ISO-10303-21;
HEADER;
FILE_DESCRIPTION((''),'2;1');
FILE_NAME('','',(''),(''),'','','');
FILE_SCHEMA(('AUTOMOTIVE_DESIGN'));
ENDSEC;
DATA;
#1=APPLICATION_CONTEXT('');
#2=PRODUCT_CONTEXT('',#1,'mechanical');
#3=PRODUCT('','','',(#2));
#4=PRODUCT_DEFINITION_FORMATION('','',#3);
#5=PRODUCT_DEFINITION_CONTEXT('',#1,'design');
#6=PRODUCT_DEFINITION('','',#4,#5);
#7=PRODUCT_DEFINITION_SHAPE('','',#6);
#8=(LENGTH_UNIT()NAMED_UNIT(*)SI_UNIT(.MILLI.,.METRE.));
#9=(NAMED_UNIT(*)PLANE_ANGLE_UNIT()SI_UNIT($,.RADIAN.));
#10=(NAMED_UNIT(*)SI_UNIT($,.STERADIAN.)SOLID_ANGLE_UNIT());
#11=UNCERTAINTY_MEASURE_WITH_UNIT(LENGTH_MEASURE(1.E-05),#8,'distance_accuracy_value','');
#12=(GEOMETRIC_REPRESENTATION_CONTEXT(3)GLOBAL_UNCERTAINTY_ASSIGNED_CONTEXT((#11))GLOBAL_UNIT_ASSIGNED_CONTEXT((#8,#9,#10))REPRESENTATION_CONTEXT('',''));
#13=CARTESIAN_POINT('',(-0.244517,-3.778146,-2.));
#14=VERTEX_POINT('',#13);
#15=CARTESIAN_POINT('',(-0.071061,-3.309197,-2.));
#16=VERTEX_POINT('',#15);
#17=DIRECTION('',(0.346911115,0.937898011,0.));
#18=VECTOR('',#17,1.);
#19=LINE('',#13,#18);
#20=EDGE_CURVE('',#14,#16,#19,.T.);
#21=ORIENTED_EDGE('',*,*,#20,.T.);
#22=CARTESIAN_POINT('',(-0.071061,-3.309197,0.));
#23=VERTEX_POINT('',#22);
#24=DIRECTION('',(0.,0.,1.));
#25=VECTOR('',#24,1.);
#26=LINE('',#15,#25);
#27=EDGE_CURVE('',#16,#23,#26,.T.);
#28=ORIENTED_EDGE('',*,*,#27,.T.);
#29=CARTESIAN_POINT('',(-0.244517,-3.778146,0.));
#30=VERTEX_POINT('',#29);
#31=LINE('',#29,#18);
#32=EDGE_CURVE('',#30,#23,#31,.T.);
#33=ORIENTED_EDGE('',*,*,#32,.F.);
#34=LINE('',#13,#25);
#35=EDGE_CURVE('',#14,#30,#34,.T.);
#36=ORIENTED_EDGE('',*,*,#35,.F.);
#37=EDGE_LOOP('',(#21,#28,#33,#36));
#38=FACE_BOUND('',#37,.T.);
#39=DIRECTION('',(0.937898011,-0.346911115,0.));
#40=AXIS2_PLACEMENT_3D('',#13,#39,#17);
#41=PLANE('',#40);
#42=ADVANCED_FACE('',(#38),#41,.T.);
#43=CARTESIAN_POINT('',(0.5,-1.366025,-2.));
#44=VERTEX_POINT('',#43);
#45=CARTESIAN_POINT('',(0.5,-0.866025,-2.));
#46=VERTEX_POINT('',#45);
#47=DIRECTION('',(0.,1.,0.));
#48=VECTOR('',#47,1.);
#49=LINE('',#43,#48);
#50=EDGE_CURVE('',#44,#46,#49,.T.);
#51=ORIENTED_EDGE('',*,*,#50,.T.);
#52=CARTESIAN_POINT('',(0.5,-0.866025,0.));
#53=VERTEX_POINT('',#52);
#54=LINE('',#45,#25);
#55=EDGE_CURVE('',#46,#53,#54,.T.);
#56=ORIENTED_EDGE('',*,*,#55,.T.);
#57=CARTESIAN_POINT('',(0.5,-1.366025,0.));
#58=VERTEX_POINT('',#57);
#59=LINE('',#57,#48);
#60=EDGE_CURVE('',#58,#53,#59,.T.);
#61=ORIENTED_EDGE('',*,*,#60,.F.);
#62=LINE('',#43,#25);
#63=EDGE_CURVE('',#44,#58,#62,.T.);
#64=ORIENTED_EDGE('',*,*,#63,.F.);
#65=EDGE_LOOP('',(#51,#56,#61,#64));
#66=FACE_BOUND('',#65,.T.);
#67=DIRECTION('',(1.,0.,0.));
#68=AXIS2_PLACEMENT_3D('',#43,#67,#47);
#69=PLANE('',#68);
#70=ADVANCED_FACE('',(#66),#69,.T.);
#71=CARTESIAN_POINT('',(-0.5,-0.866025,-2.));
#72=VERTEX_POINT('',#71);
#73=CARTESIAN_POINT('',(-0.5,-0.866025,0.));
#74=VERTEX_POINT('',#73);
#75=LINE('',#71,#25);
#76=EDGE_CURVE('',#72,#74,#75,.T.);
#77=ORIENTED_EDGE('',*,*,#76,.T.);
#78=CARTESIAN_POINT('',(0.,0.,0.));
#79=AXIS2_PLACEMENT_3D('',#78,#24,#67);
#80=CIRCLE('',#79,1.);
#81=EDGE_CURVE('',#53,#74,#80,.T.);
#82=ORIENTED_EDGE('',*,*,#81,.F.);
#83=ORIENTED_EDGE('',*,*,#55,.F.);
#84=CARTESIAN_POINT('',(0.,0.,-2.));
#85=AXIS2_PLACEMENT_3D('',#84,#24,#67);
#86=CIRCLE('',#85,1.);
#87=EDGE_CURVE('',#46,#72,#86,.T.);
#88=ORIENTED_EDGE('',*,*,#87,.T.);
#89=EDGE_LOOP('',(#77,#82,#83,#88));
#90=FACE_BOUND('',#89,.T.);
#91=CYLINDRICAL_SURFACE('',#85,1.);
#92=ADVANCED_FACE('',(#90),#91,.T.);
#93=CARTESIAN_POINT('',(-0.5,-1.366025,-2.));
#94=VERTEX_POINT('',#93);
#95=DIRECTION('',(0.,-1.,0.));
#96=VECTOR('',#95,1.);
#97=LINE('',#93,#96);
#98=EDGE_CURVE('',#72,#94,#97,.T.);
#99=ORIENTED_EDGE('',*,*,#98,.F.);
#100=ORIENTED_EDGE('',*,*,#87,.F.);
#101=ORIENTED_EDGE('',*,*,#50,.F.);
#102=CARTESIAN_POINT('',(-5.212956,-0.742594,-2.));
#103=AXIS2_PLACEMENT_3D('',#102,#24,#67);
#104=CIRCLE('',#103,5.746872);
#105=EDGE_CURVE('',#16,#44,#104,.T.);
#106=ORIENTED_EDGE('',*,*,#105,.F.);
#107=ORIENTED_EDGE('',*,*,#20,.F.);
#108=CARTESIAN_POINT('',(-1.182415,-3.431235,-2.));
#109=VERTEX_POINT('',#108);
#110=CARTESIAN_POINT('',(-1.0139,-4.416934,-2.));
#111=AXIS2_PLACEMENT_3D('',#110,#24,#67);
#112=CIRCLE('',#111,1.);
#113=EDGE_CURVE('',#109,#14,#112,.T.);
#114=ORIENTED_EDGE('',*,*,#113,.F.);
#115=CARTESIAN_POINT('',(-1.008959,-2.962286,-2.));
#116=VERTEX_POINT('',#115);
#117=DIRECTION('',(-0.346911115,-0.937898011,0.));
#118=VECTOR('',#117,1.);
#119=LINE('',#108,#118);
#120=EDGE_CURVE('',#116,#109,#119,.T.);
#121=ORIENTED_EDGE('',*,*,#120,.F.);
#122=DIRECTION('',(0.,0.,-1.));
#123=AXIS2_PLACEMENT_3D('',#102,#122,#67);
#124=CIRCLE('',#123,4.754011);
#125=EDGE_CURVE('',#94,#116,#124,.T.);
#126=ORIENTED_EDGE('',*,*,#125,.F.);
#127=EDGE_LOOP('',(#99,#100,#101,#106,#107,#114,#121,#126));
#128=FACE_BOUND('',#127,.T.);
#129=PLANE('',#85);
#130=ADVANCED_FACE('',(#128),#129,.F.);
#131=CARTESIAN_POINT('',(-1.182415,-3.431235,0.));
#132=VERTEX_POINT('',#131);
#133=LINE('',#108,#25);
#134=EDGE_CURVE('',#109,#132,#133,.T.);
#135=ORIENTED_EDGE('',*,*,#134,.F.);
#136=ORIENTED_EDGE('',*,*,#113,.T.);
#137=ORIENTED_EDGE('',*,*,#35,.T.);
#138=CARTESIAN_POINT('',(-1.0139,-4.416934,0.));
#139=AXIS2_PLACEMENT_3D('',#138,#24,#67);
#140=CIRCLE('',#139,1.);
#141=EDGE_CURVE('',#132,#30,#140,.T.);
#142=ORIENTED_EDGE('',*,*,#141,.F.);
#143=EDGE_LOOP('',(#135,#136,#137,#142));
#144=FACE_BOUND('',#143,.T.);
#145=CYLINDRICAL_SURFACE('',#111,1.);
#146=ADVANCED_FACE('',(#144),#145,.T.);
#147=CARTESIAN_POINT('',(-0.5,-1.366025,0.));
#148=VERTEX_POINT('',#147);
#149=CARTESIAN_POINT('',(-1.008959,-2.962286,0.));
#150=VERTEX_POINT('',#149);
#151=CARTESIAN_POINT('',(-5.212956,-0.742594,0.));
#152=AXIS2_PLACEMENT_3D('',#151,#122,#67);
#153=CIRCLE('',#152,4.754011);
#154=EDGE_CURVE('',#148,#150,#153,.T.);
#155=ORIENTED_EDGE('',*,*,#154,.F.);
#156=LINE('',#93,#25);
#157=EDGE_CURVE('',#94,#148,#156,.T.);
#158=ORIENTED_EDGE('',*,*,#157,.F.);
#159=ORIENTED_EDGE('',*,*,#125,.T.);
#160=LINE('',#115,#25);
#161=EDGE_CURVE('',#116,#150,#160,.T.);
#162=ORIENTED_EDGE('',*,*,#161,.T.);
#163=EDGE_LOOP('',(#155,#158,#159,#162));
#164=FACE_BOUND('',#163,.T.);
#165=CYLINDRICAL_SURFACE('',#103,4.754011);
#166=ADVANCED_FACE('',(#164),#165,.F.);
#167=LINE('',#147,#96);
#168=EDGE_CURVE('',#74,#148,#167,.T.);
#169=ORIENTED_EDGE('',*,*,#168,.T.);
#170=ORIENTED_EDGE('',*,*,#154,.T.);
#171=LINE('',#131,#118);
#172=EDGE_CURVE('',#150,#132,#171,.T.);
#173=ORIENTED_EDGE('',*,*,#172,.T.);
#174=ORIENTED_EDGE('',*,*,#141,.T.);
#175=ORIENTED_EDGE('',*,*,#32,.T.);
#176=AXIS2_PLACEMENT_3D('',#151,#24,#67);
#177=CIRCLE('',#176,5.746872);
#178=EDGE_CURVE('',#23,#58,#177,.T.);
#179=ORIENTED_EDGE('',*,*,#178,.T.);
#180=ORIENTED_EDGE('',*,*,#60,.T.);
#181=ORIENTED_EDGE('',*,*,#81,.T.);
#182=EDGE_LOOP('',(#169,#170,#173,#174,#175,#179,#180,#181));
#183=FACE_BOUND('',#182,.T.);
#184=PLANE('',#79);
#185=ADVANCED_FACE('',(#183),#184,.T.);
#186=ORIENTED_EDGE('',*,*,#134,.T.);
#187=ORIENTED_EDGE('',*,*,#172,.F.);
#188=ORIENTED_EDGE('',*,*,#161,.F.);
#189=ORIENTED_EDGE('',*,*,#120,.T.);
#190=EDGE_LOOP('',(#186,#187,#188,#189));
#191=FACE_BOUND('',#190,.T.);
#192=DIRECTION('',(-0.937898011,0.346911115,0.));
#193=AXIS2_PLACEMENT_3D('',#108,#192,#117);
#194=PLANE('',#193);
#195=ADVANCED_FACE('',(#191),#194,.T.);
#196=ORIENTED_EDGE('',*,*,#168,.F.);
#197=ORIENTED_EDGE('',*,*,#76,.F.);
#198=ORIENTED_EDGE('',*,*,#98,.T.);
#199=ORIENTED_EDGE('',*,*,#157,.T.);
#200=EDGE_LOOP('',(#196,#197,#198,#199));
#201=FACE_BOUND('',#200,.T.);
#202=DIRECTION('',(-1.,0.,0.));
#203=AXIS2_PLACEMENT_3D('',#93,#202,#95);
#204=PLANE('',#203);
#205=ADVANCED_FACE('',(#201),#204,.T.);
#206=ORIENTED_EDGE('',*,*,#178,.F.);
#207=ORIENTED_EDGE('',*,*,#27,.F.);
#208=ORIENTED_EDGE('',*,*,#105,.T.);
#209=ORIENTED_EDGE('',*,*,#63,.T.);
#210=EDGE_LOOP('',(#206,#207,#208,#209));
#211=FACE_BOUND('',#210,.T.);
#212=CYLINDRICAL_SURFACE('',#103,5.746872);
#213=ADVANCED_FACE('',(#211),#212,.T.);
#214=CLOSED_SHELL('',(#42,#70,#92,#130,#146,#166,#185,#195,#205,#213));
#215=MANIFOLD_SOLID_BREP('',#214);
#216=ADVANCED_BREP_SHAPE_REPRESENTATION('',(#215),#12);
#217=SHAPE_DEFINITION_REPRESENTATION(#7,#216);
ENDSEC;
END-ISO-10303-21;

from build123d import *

# Parameters (mm, degrees)
EXTRUDE_1_DEPTH = 2


with BuildPart() as part:
    # 草图1 → 凸台-拉伸1 (new body)
    with BuildSketch(Plane.XY):
        with BuildLine():
            Line((0.5, -1.366025404), (0.5, -0.866025404))
            ThreePointArc((0.5, -0.866025404), (0, 1), (-0.5, -0.866025404))
            Line((-0.5, -0.866025404), (-0.5, -1.366025404))
            ThreePointArc((-0.5, -1.366025404), (-0.683604615, -2.186753802), (-1.008959149, -2.962285996))
            Line((-1.008959149, -2.962285996), (-1.182414706, -3.431235001))
            ThreePointArc((-1.182414706, -3.431235001), (-1.360810655, -5.354832073), (-0.244516696, -3.778146116))
            Line((-0.244516696, -3.778146116), (-0.071061138, -3.309197111))
            ThreePointArc((-0.071061138, -3.309197111), (0.300747459, -2.362966726), (0.5, -1.366025404))
        make_face()
    extrude(amount=-EXTRUDE_1_DEPTH)


solid = part.part
